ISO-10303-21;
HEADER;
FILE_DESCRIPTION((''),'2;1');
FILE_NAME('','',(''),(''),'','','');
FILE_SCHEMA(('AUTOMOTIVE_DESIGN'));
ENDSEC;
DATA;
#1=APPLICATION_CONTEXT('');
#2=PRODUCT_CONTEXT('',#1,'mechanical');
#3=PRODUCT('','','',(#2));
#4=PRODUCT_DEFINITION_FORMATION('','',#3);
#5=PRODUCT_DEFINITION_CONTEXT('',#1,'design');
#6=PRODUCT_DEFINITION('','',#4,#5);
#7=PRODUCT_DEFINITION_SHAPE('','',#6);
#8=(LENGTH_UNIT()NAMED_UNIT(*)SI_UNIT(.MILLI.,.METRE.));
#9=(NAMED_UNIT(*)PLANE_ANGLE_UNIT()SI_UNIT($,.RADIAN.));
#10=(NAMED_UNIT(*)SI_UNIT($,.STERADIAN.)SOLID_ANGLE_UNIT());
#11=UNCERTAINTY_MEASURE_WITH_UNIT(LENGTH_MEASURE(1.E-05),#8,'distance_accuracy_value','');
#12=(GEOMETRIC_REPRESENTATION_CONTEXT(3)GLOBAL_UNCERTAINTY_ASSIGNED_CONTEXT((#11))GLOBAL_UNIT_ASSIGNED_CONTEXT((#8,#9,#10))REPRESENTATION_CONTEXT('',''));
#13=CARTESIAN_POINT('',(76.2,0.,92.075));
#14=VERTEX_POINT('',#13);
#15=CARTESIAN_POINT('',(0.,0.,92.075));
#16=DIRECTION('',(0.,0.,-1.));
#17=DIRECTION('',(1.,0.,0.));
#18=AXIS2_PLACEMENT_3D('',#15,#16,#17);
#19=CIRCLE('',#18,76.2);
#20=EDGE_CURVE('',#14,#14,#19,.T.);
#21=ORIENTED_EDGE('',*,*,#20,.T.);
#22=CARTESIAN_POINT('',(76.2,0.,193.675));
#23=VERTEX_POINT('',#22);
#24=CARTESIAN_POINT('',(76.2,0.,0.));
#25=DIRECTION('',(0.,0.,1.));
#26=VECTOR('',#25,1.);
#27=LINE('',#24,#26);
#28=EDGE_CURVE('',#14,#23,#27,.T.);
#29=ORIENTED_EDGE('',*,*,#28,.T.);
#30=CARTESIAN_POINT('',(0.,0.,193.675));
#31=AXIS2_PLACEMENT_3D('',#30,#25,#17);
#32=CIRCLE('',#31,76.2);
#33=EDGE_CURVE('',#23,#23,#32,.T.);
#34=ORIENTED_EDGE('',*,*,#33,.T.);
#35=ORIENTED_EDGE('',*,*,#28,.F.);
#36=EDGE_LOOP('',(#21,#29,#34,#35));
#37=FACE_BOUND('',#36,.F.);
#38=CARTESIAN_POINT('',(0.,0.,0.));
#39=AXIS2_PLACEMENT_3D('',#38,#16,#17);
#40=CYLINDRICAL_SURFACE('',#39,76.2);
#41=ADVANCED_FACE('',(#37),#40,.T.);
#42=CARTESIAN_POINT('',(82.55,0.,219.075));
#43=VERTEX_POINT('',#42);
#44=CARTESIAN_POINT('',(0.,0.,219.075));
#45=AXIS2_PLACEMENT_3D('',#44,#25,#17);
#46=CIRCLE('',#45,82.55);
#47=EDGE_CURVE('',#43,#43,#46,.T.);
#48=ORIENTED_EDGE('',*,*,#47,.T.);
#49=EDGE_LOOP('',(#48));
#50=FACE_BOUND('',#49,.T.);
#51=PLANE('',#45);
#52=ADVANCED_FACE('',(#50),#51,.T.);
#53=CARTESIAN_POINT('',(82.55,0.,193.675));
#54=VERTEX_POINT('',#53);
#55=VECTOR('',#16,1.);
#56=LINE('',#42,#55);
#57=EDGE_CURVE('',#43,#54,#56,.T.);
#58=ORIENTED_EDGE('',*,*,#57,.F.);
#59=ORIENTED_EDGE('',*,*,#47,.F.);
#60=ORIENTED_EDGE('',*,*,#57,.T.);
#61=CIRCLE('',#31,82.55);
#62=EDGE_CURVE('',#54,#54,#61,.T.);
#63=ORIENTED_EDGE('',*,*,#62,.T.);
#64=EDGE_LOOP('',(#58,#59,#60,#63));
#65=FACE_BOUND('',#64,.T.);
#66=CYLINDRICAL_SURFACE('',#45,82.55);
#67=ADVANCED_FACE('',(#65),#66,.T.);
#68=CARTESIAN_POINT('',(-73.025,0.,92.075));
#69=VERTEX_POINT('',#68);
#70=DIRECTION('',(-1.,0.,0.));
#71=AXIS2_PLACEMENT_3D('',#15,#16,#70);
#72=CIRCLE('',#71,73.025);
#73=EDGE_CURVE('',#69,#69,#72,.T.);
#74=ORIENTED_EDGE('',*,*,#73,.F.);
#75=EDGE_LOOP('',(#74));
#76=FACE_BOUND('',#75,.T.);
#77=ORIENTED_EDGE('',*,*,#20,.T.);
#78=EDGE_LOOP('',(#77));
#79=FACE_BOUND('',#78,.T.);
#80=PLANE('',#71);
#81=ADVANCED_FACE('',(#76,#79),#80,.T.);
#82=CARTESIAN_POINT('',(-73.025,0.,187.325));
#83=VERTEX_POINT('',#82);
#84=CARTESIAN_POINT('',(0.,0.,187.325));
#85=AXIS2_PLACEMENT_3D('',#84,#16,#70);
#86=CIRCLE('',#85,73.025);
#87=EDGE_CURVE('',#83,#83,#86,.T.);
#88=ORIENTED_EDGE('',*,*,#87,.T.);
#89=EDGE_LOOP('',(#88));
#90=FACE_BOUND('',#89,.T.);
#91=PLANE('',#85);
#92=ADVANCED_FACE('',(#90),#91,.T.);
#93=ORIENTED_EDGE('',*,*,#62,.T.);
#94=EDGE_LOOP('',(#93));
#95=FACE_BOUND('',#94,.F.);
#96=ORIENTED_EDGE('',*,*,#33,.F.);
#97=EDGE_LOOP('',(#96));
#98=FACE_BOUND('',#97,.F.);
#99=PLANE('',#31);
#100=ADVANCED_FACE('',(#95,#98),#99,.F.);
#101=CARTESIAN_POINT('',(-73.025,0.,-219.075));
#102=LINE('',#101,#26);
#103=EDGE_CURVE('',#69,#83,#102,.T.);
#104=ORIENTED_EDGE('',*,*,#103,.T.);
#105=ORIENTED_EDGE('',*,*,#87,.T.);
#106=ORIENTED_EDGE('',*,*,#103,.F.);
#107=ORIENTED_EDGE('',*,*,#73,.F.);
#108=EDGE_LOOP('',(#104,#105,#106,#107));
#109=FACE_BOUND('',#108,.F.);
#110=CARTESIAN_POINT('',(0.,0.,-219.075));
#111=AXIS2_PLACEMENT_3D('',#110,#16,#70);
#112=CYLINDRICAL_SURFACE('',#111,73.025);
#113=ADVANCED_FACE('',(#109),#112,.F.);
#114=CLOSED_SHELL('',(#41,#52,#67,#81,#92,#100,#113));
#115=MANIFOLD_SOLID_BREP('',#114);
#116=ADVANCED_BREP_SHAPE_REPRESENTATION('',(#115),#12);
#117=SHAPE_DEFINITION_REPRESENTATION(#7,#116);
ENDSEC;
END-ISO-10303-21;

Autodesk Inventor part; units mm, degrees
ref_plane "YZ Plane" through (0, 0, 0) normal (1, 0, 0) x (0, 1, 0)
ref_plane "XZ Plane" through (0, 0, 0) normal (0, 1, 0) x (-1, 0, 0)
ref_plane "XY Plane" through (0, 0, 0) normal (0, 0, 1) x (1, 0, 0)
sketch "Sketch1" plane through (0, 0, 0) normal (0, 0, 1) x (1, 0, 0)
  circle A0 centre (0, 0) radius 76.2
  dimension "tubeDiameter" = 152.4
extrude "Extrusion1" add sketch "Sketch1" along normal mid plane 438.15
sketch "Sketch2" plane through (0, 0, -219.075) normal (0, 0, -1) x (-1, 0, 0)
  circle A0 centre (0, 0) radius 73.025
  dimension "d6" = 146.05
extrude "Extrusion2" cut sketch "Sketch2" against normal blind 406.4
sketch "Sketch3" plane through (0, 0, 219.075) normal (0, 0, 1) x (1, 0, 0)
  circle A0 centre (0, 0) radius 82.55
  circle A1 centre (0, 0) radius 76.2
  dimension "d9" = 165.1
extrude "Extrusion3" add sketch "Sketch3" against normal blind 25.4
sketch "Sketch4" plane through (0, 0, -219.075) normal (0, 0, -1) x (-1, 0, 0)
  circle A0 centre (0, 0) radius 76.2
  circle A1 centre (0, 0) radius 82.55
extrude "Extrusion4" add sketch "Sketch4" against normal blind 25.4
sketch "Sketch7" plane through (0, 0, -219.075) normal (0, 0, -1) x (-1, 0, 0)
  circle A0 centre (0, 0) radius 73.025 projected
  circle A1 centre (0, 0) radius 82.55 projected
  circle A2 centre (0, 0) radius 73.025
  circle A3 centre (0, 0) radius 82.55
extrude "Extrusion6" cut sketch "Sketch7" against normal blind 311.15
properties part number "trussTelescopeTubeRear" material "Aluminum 6061"
